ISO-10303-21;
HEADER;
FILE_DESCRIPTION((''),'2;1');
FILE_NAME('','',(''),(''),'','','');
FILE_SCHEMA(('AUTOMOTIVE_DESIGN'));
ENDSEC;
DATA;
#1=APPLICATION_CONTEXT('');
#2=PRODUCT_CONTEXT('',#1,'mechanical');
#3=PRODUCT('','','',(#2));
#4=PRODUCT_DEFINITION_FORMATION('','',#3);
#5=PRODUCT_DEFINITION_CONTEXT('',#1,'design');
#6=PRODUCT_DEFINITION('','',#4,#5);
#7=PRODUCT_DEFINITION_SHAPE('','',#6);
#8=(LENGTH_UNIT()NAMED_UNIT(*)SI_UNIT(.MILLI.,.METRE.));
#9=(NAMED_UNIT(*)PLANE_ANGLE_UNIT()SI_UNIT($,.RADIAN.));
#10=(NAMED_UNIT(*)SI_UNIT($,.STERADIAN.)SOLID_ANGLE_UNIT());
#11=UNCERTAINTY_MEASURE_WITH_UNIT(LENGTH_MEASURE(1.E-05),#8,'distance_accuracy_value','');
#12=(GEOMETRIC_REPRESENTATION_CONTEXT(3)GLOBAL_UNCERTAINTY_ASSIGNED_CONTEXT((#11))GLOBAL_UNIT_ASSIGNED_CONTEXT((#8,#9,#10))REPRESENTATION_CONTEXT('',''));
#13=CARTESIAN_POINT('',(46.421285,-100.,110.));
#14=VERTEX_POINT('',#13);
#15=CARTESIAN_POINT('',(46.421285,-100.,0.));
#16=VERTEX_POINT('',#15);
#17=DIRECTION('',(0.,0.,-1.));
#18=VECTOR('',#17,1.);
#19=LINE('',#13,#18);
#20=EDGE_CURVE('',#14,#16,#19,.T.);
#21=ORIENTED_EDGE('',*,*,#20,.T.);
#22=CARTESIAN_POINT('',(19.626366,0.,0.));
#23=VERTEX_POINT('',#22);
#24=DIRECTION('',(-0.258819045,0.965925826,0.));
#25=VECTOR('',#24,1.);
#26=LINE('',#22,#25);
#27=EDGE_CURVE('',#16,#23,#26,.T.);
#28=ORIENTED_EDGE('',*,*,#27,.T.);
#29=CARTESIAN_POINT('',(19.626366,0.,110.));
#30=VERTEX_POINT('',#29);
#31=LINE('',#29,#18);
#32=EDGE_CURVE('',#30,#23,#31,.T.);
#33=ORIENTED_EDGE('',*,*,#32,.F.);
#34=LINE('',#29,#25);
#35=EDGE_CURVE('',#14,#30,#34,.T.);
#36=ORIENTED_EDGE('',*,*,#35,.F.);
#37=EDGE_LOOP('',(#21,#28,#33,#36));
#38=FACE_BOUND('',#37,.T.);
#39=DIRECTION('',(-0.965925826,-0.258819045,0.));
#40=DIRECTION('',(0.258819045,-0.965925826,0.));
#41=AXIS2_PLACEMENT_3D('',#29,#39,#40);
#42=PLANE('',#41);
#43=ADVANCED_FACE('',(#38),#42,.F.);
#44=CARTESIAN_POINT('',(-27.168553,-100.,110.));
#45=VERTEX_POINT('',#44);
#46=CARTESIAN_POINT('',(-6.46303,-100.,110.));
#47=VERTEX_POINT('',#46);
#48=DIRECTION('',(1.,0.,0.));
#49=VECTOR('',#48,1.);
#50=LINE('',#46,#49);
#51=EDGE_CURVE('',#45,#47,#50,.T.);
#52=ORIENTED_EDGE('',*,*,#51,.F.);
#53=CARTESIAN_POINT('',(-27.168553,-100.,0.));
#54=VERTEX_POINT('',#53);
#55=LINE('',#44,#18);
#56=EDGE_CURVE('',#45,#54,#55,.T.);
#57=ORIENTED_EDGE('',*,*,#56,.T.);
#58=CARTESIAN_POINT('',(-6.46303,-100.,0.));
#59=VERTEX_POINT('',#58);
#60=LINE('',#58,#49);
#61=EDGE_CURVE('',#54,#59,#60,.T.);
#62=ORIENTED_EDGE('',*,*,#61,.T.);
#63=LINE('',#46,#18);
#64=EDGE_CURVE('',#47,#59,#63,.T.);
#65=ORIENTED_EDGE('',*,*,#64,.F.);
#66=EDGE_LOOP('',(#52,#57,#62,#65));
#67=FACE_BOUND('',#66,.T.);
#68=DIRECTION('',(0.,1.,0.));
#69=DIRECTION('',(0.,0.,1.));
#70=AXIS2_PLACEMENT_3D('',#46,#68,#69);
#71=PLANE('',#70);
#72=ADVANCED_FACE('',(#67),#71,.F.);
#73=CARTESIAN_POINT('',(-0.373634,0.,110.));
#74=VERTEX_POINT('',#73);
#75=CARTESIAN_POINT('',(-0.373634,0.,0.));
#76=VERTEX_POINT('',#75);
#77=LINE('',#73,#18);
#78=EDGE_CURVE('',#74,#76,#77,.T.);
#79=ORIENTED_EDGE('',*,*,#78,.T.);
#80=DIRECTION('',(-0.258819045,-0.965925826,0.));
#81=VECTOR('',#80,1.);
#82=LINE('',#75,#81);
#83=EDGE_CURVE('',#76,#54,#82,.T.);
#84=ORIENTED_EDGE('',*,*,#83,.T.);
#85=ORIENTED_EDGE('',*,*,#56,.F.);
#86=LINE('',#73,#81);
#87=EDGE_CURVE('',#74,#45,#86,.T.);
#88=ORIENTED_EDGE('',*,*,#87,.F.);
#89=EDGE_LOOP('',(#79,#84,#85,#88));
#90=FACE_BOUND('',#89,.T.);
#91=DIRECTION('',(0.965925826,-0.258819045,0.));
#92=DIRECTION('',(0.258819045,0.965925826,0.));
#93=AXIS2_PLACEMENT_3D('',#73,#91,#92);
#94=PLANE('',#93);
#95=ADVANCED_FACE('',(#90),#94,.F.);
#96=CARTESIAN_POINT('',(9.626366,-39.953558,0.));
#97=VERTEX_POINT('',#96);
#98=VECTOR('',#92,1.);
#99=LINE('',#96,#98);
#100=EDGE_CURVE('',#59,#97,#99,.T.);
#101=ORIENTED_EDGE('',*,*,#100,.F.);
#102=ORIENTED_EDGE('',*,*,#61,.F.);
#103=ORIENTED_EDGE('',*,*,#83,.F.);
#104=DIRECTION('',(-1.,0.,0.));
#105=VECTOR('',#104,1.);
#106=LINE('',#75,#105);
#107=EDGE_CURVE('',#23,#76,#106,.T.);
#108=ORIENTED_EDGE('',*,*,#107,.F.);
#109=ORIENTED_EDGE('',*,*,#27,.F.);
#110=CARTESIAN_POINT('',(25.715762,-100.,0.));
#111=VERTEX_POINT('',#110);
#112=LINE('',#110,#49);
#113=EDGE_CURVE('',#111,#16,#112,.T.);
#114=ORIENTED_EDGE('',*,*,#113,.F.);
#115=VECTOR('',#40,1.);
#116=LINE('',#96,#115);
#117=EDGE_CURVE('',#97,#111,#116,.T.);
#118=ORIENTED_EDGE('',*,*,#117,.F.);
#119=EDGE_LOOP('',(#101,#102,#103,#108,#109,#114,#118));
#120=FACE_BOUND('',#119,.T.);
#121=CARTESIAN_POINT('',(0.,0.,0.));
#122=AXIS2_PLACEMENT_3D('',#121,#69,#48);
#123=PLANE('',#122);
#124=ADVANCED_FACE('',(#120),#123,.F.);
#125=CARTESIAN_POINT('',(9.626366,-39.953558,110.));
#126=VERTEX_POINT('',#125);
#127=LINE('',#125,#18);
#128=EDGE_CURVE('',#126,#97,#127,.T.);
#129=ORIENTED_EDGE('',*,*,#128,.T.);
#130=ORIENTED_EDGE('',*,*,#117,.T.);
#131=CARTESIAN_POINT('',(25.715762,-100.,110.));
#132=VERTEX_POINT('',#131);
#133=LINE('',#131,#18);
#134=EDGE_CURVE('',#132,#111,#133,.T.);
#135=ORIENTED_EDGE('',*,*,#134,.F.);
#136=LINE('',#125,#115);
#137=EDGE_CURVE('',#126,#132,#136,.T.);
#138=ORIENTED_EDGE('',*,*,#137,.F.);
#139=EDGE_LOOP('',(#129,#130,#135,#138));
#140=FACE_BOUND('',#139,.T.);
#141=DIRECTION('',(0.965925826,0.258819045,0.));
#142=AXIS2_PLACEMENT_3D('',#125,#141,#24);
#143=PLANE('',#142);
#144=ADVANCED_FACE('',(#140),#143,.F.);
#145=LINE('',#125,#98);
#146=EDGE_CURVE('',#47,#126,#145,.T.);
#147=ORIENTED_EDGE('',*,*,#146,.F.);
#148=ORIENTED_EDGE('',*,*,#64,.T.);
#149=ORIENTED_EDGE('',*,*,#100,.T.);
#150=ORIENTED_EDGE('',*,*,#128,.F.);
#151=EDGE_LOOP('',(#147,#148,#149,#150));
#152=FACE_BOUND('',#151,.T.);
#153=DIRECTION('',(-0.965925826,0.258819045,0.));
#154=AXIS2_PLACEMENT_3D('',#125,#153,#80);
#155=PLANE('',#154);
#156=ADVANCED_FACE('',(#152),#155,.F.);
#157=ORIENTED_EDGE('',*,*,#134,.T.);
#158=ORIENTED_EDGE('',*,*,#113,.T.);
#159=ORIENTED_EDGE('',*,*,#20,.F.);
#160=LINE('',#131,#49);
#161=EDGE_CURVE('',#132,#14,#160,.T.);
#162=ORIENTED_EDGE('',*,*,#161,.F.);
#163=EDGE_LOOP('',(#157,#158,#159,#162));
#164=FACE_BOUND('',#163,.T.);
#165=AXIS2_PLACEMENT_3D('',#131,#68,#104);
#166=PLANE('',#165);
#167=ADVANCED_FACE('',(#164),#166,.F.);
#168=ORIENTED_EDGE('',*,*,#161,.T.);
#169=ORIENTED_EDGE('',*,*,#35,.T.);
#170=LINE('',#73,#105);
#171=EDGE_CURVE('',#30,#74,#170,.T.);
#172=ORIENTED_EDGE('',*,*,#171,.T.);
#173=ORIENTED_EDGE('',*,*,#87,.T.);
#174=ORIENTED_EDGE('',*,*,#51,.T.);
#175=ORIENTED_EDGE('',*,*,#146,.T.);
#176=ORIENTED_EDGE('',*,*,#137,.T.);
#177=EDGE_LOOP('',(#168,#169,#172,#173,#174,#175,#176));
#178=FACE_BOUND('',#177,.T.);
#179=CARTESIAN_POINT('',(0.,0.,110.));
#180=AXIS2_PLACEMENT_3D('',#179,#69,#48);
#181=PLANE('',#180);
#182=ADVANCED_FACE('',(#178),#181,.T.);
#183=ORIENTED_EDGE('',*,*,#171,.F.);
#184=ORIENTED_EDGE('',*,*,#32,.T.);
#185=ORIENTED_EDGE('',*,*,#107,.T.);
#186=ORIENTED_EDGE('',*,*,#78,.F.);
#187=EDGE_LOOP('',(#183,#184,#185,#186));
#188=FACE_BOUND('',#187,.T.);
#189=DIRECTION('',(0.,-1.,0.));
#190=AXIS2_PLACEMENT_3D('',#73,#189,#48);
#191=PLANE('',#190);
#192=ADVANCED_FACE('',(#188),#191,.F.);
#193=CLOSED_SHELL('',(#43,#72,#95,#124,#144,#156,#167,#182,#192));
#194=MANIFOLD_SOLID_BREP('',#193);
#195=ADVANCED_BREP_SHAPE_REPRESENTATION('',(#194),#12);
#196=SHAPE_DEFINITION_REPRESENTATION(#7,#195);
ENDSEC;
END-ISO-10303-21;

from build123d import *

# Parameters (mm, degrees)
SALIENTE_EXTRUIR1_DEPTH = 110


with BuildPart() as part:
    # Croquis1 → Saliente-Extruir1 (new body)
    with BuildSketch(Plane.XY):
        Polygon((-0.373633898, 0), (-27.168553141, -100), (-6.463029533, -100), (9.626366102, -39.953558027), (25.715761737, -100), (46.421285345, -100), (19.626366102, 0), align=None)
    extrude(amount=SALIENTE_EXTRUIR1_DEPTH)


solid = part.part
